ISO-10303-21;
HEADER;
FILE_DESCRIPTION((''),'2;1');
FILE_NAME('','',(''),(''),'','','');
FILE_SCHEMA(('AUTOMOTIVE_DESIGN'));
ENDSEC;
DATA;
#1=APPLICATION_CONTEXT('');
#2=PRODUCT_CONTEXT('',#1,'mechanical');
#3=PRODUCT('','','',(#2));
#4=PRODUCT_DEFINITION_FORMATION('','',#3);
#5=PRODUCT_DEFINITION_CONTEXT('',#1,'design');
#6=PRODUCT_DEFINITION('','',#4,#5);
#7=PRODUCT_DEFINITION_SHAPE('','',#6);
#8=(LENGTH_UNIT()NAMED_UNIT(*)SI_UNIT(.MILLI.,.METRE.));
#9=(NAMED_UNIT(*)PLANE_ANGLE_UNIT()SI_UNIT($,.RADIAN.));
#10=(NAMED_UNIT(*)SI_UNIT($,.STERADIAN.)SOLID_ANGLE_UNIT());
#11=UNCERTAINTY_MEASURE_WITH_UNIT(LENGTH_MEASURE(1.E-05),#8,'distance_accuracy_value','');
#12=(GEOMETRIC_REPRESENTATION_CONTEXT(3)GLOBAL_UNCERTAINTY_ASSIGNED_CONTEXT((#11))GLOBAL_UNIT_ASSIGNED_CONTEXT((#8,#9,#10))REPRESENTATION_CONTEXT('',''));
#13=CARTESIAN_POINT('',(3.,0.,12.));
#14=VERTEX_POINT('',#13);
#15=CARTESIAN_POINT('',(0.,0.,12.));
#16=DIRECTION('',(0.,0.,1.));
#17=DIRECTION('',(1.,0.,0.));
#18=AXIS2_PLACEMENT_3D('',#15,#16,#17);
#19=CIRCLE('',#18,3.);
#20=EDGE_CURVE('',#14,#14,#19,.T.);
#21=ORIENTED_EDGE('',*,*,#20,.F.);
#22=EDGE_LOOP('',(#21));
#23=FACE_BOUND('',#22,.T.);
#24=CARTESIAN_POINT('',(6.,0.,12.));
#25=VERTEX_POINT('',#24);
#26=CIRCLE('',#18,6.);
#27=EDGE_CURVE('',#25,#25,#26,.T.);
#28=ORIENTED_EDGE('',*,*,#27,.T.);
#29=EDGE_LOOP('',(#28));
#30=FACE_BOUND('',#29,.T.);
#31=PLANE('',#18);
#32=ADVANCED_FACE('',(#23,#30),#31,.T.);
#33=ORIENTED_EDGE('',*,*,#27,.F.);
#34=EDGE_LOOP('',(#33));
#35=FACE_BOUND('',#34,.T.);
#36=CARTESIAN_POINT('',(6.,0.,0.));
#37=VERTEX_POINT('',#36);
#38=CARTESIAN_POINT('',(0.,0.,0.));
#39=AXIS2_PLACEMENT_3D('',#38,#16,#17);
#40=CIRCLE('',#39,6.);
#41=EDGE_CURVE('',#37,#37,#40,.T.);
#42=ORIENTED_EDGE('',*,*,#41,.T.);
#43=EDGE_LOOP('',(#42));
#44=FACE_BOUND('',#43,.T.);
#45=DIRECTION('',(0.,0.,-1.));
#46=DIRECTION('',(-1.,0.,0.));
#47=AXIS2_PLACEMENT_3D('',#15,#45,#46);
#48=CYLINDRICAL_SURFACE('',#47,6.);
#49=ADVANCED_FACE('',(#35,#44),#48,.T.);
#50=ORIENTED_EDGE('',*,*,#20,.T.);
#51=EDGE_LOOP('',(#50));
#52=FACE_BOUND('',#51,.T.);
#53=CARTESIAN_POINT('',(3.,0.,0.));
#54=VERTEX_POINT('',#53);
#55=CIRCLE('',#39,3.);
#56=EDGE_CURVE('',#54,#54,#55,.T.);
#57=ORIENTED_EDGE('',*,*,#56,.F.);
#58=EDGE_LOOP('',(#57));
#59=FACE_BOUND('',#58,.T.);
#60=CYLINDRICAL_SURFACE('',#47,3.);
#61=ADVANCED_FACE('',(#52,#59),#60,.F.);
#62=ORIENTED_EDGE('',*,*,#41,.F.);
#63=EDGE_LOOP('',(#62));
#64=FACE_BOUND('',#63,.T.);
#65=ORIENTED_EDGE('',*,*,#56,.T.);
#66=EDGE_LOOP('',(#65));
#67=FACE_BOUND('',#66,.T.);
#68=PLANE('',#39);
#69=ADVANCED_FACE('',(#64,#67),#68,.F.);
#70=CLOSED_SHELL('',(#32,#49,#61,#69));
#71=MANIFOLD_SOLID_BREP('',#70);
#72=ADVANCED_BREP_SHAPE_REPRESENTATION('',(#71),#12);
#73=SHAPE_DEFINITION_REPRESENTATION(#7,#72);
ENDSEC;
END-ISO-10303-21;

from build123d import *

# Parameters (mm, degrees)
SKETCH_1_R      = 6
SKETCH_1_R_2    = 3
EXTRUDE_1_DEPTH = 12


with BuildPart() as part:
    # 草图1 → 凸台-拉伸1 (new body)
    with BuildSketch(Plane.XY):
        Circle(SKETCH_1_R)
        Circle(SKETCH_1_R_2, mode=Mode.SUBTRACT)
    extrude(amount=EXTRUDE_1_DEPTH)


solid = part.part
